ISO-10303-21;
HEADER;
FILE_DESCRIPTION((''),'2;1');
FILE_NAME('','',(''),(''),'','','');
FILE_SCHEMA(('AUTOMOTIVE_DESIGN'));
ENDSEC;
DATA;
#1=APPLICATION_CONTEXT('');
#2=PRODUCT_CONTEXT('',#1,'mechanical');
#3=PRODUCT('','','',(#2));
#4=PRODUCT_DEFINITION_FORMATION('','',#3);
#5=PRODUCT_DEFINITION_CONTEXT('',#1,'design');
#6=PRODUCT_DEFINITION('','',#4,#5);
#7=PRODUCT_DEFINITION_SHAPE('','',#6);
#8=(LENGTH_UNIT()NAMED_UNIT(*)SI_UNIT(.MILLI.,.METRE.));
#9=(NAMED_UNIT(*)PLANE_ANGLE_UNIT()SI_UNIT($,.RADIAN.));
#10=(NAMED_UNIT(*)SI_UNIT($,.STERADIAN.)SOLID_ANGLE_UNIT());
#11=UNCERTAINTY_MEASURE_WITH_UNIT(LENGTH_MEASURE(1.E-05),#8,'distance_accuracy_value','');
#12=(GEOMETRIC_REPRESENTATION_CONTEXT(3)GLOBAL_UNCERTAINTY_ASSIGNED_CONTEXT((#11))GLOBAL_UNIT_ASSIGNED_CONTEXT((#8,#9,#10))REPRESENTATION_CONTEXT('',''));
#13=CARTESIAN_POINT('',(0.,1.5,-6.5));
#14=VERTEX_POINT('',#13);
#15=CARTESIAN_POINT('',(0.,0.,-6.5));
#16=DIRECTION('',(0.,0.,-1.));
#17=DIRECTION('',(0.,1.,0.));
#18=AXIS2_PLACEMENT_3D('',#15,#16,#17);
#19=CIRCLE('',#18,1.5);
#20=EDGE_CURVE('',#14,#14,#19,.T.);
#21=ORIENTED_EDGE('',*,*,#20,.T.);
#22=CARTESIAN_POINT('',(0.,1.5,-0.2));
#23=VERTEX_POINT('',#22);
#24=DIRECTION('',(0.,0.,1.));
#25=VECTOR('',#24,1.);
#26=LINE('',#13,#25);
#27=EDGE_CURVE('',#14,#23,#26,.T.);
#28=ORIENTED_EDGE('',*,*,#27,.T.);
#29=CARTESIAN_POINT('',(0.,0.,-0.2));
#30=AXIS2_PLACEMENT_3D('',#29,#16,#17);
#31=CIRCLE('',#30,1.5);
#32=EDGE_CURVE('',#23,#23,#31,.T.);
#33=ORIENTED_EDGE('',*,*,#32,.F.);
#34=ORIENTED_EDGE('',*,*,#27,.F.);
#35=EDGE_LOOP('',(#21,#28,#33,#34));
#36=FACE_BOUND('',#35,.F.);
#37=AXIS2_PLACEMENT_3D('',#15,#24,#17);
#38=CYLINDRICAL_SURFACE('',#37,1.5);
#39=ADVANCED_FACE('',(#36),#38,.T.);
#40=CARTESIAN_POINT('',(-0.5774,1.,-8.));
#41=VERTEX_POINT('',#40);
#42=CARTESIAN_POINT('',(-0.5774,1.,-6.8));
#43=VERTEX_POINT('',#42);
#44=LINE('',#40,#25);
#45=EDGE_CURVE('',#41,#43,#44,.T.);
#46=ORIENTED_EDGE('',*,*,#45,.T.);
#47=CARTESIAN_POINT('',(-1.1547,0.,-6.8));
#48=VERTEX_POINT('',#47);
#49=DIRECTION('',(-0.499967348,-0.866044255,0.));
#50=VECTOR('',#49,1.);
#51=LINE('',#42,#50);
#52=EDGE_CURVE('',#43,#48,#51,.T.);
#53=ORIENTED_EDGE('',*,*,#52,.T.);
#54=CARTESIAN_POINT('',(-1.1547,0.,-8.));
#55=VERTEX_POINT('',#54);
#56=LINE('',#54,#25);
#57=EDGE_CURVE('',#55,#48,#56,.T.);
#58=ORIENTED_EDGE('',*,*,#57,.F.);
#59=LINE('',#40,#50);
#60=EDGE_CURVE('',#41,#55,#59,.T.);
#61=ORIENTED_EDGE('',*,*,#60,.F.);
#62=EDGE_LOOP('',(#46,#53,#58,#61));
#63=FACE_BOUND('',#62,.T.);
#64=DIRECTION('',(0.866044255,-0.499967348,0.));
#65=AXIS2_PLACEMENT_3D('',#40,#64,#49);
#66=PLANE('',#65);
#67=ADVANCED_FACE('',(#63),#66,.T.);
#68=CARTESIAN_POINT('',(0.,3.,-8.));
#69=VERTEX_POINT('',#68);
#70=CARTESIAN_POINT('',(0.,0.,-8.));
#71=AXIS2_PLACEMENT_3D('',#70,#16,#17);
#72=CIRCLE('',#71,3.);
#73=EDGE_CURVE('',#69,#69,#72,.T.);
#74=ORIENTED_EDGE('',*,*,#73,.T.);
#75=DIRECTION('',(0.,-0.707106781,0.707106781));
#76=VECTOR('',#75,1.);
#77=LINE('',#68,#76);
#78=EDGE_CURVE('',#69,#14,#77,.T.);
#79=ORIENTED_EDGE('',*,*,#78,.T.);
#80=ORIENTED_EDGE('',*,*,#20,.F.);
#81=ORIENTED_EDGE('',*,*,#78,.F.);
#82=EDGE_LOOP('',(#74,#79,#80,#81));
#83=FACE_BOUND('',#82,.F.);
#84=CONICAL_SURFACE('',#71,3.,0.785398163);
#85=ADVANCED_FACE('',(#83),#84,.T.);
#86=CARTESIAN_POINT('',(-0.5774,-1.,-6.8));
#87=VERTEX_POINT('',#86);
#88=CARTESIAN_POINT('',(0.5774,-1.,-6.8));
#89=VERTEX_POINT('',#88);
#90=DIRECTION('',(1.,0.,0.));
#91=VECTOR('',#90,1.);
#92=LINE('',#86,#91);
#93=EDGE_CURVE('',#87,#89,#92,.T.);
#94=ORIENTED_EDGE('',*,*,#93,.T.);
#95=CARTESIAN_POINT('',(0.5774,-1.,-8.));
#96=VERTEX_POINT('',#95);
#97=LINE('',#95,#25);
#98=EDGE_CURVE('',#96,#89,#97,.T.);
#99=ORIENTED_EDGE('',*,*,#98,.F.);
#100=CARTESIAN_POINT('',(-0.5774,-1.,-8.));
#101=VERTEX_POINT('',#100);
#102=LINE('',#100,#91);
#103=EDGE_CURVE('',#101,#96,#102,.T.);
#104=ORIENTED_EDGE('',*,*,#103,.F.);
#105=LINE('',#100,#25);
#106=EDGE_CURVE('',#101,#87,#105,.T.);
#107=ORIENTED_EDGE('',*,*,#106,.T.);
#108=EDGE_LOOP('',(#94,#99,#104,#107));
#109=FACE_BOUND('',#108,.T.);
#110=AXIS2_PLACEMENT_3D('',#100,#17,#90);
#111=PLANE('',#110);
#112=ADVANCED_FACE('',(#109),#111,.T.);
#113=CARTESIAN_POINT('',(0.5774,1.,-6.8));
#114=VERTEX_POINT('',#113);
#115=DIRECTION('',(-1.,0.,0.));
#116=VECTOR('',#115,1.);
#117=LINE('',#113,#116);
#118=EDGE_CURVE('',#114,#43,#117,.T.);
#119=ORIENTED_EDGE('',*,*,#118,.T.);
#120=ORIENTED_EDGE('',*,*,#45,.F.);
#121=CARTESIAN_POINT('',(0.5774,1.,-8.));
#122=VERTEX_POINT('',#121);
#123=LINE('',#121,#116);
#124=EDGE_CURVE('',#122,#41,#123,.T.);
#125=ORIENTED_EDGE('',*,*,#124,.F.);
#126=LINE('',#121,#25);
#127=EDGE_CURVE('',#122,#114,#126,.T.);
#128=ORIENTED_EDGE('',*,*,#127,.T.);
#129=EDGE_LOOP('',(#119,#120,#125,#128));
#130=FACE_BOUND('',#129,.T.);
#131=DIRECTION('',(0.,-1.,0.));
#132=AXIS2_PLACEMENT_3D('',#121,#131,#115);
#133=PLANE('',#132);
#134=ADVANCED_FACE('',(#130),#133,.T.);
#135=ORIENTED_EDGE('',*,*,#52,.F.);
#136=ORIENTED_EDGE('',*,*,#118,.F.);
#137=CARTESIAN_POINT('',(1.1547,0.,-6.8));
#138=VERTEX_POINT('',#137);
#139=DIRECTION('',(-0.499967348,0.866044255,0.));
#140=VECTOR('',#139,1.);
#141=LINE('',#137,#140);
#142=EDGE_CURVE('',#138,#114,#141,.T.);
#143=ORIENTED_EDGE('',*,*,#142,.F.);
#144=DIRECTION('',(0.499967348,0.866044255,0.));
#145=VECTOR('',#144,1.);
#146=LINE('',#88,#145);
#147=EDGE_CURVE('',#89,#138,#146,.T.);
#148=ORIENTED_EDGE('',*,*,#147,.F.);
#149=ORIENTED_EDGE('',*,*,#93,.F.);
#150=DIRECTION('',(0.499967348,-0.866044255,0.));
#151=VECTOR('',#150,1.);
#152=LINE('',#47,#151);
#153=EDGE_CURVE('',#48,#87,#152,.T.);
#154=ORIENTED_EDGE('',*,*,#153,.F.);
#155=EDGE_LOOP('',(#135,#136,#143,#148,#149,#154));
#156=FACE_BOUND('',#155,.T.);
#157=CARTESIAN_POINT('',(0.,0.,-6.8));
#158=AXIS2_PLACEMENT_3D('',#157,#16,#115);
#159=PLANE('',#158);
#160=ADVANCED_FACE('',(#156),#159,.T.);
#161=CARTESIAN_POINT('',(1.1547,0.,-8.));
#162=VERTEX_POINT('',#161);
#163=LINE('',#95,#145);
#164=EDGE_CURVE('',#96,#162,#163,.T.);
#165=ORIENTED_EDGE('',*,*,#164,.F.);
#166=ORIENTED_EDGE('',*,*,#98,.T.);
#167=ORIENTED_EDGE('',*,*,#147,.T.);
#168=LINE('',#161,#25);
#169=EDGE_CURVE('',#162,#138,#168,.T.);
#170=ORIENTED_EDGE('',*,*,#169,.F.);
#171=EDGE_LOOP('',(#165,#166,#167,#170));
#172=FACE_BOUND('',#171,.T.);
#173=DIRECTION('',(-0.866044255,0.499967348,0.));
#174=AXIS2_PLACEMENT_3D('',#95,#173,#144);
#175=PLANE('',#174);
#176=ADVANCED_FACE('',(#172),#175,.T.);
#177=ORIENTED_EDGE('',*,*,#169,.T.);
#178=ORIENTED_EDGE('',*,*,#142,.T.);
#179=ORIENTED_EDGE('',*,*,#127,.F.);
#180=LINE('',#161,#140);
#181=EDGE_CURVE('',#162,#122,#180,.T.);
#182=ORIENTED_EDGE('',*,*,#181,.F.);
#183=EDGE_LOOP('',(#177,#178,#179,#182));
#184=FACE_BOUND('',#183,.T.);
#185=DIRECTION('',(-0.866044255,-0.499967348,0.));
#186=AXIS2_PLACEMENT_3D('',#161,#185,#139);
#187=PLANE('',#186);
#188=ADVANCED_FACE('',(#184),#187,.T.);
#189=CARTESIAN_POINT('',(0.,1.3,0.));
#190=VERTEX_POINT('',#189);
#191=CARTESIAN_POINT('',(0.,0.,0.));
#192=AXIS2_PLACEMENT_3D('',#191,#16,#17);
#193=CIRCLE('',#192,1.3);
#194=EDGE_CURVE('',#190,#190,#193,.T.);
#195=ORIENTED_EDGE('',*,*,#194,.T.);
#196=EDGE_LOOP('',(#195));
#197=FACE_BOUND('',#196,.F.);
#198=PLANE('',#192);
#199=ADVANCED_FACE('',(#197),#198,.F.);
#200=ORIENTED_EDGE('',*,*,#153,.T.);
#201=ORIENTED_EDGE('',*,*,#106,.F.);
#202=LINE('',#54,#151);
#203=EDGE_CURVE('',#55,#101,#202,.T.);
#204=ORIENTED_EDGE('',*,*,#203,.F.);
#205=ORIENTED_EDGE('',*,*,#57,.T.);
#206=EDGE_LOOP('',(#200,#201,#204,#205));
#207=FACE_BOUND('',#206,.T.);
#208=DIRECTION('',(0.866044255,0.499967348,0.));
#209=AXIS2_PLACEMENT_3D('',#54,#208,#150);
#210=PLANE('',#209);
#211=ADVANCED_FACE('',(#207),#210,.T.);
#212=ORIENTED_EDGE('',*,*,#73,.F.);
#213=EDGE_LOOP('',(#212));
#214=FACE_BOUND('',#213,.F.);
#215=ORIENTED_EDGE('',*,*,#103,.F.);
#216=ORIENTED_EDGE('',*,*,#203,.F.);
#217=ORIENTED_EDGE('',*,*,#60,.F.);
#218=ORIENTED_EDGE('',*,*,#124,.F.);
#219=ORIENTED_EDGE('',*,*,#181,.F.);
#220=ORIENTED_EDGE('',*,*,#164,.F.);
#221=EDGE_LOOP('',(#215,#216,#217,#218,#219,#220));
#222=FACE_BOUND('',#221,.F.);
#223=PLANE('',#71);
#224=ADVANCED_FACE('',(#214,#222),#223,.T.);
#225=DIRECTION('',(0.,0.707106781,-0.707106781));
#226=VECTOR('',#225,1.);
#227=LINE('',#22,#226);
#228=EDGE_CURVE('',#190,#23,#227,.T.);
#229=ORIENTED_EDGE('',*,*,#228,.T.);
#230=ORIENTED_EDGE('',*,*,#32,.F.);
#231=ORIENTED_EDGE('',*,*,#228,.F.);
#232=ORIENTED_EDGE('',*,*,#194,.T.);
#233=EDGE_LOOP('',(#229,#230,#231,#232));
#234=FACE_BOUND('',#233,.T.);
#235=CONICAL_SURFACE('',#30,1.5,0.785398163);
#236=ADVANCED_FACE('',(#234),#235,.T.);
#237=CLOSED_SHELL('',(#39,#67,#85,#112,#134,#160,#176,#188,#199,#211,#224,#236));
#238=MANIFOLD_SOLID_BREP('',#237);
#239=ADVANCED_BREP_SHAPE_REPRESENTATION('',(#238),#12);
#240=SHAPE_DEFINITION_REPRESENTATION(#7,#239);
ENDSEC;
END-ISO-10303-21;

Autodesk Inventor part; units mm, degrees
ref_plane "YZ Plane" through (0, 0, 0) normal (1, 0, 0) x (0, 1, 0)
ref_plane "XZ Plane" through (0, 0, 0) normal (0, 1, 0) x (-1, 0, 0)
ref_plane "XY Plane" through (0, 0, 0) normal (0, 0, 1) x (1, 0, 0)
sketch "Sketch4" plane through (0, 0, 0) normal (1, 0, 0) x (0, 1, 0)
  line L0 (0, 0) -> (0, -8)
  line L1 (0, -8) -> (3, -8)
  line L2 (3, -8) -> (1.5, -6.5)
  line L3 (1.5, -6.5) -> (1.5, 0)
  line L4 (1.5, 0) -> (0, 0)
  dimension "d11" = 6
  dimension "d12" = 3
  dimension "d15" = 8
  dimension "d16" = 45
revolve "Revolution1" add sketch "Sketch4" angle 360 about axis through (0, 0, 0) along (0, 0, -1)
sketch "Sketch5" plane through (0, 0, -8) normal (0, 0, -1) x (-1, 0, 0)
  line L0 (1.1547, 0) -> (0.5774, -1)
  line L1 (0.5774, -1) -> (-0.5774, -1)
  line L2 (-0.5774, -1) -> (-1.1547, 0)
  line L3 (-1.1547, 0) -> (-0.5774, 1)
  line L4 (-0.5774, 1) -> (0.5774, 1)
  line L5 (0.5774, 1) -> (1.1547, 0)
  point P0 (0, 0)
  point P1 (0, 0)
  dimension "d18" = 2
extrude "Extrusion5" cut sketch "Sketch5" against normal blind 1.2
chamfer "Chamfer2" distance 0.2 angle 45 1 edges at (0, -1.5, 0)
thread "Thread1" size "M3x0.5" class "6g" standard "ANSI Metric M Profile" full length
properties part number "M3 x 8mm FHCS" material "Stainless Steel"
